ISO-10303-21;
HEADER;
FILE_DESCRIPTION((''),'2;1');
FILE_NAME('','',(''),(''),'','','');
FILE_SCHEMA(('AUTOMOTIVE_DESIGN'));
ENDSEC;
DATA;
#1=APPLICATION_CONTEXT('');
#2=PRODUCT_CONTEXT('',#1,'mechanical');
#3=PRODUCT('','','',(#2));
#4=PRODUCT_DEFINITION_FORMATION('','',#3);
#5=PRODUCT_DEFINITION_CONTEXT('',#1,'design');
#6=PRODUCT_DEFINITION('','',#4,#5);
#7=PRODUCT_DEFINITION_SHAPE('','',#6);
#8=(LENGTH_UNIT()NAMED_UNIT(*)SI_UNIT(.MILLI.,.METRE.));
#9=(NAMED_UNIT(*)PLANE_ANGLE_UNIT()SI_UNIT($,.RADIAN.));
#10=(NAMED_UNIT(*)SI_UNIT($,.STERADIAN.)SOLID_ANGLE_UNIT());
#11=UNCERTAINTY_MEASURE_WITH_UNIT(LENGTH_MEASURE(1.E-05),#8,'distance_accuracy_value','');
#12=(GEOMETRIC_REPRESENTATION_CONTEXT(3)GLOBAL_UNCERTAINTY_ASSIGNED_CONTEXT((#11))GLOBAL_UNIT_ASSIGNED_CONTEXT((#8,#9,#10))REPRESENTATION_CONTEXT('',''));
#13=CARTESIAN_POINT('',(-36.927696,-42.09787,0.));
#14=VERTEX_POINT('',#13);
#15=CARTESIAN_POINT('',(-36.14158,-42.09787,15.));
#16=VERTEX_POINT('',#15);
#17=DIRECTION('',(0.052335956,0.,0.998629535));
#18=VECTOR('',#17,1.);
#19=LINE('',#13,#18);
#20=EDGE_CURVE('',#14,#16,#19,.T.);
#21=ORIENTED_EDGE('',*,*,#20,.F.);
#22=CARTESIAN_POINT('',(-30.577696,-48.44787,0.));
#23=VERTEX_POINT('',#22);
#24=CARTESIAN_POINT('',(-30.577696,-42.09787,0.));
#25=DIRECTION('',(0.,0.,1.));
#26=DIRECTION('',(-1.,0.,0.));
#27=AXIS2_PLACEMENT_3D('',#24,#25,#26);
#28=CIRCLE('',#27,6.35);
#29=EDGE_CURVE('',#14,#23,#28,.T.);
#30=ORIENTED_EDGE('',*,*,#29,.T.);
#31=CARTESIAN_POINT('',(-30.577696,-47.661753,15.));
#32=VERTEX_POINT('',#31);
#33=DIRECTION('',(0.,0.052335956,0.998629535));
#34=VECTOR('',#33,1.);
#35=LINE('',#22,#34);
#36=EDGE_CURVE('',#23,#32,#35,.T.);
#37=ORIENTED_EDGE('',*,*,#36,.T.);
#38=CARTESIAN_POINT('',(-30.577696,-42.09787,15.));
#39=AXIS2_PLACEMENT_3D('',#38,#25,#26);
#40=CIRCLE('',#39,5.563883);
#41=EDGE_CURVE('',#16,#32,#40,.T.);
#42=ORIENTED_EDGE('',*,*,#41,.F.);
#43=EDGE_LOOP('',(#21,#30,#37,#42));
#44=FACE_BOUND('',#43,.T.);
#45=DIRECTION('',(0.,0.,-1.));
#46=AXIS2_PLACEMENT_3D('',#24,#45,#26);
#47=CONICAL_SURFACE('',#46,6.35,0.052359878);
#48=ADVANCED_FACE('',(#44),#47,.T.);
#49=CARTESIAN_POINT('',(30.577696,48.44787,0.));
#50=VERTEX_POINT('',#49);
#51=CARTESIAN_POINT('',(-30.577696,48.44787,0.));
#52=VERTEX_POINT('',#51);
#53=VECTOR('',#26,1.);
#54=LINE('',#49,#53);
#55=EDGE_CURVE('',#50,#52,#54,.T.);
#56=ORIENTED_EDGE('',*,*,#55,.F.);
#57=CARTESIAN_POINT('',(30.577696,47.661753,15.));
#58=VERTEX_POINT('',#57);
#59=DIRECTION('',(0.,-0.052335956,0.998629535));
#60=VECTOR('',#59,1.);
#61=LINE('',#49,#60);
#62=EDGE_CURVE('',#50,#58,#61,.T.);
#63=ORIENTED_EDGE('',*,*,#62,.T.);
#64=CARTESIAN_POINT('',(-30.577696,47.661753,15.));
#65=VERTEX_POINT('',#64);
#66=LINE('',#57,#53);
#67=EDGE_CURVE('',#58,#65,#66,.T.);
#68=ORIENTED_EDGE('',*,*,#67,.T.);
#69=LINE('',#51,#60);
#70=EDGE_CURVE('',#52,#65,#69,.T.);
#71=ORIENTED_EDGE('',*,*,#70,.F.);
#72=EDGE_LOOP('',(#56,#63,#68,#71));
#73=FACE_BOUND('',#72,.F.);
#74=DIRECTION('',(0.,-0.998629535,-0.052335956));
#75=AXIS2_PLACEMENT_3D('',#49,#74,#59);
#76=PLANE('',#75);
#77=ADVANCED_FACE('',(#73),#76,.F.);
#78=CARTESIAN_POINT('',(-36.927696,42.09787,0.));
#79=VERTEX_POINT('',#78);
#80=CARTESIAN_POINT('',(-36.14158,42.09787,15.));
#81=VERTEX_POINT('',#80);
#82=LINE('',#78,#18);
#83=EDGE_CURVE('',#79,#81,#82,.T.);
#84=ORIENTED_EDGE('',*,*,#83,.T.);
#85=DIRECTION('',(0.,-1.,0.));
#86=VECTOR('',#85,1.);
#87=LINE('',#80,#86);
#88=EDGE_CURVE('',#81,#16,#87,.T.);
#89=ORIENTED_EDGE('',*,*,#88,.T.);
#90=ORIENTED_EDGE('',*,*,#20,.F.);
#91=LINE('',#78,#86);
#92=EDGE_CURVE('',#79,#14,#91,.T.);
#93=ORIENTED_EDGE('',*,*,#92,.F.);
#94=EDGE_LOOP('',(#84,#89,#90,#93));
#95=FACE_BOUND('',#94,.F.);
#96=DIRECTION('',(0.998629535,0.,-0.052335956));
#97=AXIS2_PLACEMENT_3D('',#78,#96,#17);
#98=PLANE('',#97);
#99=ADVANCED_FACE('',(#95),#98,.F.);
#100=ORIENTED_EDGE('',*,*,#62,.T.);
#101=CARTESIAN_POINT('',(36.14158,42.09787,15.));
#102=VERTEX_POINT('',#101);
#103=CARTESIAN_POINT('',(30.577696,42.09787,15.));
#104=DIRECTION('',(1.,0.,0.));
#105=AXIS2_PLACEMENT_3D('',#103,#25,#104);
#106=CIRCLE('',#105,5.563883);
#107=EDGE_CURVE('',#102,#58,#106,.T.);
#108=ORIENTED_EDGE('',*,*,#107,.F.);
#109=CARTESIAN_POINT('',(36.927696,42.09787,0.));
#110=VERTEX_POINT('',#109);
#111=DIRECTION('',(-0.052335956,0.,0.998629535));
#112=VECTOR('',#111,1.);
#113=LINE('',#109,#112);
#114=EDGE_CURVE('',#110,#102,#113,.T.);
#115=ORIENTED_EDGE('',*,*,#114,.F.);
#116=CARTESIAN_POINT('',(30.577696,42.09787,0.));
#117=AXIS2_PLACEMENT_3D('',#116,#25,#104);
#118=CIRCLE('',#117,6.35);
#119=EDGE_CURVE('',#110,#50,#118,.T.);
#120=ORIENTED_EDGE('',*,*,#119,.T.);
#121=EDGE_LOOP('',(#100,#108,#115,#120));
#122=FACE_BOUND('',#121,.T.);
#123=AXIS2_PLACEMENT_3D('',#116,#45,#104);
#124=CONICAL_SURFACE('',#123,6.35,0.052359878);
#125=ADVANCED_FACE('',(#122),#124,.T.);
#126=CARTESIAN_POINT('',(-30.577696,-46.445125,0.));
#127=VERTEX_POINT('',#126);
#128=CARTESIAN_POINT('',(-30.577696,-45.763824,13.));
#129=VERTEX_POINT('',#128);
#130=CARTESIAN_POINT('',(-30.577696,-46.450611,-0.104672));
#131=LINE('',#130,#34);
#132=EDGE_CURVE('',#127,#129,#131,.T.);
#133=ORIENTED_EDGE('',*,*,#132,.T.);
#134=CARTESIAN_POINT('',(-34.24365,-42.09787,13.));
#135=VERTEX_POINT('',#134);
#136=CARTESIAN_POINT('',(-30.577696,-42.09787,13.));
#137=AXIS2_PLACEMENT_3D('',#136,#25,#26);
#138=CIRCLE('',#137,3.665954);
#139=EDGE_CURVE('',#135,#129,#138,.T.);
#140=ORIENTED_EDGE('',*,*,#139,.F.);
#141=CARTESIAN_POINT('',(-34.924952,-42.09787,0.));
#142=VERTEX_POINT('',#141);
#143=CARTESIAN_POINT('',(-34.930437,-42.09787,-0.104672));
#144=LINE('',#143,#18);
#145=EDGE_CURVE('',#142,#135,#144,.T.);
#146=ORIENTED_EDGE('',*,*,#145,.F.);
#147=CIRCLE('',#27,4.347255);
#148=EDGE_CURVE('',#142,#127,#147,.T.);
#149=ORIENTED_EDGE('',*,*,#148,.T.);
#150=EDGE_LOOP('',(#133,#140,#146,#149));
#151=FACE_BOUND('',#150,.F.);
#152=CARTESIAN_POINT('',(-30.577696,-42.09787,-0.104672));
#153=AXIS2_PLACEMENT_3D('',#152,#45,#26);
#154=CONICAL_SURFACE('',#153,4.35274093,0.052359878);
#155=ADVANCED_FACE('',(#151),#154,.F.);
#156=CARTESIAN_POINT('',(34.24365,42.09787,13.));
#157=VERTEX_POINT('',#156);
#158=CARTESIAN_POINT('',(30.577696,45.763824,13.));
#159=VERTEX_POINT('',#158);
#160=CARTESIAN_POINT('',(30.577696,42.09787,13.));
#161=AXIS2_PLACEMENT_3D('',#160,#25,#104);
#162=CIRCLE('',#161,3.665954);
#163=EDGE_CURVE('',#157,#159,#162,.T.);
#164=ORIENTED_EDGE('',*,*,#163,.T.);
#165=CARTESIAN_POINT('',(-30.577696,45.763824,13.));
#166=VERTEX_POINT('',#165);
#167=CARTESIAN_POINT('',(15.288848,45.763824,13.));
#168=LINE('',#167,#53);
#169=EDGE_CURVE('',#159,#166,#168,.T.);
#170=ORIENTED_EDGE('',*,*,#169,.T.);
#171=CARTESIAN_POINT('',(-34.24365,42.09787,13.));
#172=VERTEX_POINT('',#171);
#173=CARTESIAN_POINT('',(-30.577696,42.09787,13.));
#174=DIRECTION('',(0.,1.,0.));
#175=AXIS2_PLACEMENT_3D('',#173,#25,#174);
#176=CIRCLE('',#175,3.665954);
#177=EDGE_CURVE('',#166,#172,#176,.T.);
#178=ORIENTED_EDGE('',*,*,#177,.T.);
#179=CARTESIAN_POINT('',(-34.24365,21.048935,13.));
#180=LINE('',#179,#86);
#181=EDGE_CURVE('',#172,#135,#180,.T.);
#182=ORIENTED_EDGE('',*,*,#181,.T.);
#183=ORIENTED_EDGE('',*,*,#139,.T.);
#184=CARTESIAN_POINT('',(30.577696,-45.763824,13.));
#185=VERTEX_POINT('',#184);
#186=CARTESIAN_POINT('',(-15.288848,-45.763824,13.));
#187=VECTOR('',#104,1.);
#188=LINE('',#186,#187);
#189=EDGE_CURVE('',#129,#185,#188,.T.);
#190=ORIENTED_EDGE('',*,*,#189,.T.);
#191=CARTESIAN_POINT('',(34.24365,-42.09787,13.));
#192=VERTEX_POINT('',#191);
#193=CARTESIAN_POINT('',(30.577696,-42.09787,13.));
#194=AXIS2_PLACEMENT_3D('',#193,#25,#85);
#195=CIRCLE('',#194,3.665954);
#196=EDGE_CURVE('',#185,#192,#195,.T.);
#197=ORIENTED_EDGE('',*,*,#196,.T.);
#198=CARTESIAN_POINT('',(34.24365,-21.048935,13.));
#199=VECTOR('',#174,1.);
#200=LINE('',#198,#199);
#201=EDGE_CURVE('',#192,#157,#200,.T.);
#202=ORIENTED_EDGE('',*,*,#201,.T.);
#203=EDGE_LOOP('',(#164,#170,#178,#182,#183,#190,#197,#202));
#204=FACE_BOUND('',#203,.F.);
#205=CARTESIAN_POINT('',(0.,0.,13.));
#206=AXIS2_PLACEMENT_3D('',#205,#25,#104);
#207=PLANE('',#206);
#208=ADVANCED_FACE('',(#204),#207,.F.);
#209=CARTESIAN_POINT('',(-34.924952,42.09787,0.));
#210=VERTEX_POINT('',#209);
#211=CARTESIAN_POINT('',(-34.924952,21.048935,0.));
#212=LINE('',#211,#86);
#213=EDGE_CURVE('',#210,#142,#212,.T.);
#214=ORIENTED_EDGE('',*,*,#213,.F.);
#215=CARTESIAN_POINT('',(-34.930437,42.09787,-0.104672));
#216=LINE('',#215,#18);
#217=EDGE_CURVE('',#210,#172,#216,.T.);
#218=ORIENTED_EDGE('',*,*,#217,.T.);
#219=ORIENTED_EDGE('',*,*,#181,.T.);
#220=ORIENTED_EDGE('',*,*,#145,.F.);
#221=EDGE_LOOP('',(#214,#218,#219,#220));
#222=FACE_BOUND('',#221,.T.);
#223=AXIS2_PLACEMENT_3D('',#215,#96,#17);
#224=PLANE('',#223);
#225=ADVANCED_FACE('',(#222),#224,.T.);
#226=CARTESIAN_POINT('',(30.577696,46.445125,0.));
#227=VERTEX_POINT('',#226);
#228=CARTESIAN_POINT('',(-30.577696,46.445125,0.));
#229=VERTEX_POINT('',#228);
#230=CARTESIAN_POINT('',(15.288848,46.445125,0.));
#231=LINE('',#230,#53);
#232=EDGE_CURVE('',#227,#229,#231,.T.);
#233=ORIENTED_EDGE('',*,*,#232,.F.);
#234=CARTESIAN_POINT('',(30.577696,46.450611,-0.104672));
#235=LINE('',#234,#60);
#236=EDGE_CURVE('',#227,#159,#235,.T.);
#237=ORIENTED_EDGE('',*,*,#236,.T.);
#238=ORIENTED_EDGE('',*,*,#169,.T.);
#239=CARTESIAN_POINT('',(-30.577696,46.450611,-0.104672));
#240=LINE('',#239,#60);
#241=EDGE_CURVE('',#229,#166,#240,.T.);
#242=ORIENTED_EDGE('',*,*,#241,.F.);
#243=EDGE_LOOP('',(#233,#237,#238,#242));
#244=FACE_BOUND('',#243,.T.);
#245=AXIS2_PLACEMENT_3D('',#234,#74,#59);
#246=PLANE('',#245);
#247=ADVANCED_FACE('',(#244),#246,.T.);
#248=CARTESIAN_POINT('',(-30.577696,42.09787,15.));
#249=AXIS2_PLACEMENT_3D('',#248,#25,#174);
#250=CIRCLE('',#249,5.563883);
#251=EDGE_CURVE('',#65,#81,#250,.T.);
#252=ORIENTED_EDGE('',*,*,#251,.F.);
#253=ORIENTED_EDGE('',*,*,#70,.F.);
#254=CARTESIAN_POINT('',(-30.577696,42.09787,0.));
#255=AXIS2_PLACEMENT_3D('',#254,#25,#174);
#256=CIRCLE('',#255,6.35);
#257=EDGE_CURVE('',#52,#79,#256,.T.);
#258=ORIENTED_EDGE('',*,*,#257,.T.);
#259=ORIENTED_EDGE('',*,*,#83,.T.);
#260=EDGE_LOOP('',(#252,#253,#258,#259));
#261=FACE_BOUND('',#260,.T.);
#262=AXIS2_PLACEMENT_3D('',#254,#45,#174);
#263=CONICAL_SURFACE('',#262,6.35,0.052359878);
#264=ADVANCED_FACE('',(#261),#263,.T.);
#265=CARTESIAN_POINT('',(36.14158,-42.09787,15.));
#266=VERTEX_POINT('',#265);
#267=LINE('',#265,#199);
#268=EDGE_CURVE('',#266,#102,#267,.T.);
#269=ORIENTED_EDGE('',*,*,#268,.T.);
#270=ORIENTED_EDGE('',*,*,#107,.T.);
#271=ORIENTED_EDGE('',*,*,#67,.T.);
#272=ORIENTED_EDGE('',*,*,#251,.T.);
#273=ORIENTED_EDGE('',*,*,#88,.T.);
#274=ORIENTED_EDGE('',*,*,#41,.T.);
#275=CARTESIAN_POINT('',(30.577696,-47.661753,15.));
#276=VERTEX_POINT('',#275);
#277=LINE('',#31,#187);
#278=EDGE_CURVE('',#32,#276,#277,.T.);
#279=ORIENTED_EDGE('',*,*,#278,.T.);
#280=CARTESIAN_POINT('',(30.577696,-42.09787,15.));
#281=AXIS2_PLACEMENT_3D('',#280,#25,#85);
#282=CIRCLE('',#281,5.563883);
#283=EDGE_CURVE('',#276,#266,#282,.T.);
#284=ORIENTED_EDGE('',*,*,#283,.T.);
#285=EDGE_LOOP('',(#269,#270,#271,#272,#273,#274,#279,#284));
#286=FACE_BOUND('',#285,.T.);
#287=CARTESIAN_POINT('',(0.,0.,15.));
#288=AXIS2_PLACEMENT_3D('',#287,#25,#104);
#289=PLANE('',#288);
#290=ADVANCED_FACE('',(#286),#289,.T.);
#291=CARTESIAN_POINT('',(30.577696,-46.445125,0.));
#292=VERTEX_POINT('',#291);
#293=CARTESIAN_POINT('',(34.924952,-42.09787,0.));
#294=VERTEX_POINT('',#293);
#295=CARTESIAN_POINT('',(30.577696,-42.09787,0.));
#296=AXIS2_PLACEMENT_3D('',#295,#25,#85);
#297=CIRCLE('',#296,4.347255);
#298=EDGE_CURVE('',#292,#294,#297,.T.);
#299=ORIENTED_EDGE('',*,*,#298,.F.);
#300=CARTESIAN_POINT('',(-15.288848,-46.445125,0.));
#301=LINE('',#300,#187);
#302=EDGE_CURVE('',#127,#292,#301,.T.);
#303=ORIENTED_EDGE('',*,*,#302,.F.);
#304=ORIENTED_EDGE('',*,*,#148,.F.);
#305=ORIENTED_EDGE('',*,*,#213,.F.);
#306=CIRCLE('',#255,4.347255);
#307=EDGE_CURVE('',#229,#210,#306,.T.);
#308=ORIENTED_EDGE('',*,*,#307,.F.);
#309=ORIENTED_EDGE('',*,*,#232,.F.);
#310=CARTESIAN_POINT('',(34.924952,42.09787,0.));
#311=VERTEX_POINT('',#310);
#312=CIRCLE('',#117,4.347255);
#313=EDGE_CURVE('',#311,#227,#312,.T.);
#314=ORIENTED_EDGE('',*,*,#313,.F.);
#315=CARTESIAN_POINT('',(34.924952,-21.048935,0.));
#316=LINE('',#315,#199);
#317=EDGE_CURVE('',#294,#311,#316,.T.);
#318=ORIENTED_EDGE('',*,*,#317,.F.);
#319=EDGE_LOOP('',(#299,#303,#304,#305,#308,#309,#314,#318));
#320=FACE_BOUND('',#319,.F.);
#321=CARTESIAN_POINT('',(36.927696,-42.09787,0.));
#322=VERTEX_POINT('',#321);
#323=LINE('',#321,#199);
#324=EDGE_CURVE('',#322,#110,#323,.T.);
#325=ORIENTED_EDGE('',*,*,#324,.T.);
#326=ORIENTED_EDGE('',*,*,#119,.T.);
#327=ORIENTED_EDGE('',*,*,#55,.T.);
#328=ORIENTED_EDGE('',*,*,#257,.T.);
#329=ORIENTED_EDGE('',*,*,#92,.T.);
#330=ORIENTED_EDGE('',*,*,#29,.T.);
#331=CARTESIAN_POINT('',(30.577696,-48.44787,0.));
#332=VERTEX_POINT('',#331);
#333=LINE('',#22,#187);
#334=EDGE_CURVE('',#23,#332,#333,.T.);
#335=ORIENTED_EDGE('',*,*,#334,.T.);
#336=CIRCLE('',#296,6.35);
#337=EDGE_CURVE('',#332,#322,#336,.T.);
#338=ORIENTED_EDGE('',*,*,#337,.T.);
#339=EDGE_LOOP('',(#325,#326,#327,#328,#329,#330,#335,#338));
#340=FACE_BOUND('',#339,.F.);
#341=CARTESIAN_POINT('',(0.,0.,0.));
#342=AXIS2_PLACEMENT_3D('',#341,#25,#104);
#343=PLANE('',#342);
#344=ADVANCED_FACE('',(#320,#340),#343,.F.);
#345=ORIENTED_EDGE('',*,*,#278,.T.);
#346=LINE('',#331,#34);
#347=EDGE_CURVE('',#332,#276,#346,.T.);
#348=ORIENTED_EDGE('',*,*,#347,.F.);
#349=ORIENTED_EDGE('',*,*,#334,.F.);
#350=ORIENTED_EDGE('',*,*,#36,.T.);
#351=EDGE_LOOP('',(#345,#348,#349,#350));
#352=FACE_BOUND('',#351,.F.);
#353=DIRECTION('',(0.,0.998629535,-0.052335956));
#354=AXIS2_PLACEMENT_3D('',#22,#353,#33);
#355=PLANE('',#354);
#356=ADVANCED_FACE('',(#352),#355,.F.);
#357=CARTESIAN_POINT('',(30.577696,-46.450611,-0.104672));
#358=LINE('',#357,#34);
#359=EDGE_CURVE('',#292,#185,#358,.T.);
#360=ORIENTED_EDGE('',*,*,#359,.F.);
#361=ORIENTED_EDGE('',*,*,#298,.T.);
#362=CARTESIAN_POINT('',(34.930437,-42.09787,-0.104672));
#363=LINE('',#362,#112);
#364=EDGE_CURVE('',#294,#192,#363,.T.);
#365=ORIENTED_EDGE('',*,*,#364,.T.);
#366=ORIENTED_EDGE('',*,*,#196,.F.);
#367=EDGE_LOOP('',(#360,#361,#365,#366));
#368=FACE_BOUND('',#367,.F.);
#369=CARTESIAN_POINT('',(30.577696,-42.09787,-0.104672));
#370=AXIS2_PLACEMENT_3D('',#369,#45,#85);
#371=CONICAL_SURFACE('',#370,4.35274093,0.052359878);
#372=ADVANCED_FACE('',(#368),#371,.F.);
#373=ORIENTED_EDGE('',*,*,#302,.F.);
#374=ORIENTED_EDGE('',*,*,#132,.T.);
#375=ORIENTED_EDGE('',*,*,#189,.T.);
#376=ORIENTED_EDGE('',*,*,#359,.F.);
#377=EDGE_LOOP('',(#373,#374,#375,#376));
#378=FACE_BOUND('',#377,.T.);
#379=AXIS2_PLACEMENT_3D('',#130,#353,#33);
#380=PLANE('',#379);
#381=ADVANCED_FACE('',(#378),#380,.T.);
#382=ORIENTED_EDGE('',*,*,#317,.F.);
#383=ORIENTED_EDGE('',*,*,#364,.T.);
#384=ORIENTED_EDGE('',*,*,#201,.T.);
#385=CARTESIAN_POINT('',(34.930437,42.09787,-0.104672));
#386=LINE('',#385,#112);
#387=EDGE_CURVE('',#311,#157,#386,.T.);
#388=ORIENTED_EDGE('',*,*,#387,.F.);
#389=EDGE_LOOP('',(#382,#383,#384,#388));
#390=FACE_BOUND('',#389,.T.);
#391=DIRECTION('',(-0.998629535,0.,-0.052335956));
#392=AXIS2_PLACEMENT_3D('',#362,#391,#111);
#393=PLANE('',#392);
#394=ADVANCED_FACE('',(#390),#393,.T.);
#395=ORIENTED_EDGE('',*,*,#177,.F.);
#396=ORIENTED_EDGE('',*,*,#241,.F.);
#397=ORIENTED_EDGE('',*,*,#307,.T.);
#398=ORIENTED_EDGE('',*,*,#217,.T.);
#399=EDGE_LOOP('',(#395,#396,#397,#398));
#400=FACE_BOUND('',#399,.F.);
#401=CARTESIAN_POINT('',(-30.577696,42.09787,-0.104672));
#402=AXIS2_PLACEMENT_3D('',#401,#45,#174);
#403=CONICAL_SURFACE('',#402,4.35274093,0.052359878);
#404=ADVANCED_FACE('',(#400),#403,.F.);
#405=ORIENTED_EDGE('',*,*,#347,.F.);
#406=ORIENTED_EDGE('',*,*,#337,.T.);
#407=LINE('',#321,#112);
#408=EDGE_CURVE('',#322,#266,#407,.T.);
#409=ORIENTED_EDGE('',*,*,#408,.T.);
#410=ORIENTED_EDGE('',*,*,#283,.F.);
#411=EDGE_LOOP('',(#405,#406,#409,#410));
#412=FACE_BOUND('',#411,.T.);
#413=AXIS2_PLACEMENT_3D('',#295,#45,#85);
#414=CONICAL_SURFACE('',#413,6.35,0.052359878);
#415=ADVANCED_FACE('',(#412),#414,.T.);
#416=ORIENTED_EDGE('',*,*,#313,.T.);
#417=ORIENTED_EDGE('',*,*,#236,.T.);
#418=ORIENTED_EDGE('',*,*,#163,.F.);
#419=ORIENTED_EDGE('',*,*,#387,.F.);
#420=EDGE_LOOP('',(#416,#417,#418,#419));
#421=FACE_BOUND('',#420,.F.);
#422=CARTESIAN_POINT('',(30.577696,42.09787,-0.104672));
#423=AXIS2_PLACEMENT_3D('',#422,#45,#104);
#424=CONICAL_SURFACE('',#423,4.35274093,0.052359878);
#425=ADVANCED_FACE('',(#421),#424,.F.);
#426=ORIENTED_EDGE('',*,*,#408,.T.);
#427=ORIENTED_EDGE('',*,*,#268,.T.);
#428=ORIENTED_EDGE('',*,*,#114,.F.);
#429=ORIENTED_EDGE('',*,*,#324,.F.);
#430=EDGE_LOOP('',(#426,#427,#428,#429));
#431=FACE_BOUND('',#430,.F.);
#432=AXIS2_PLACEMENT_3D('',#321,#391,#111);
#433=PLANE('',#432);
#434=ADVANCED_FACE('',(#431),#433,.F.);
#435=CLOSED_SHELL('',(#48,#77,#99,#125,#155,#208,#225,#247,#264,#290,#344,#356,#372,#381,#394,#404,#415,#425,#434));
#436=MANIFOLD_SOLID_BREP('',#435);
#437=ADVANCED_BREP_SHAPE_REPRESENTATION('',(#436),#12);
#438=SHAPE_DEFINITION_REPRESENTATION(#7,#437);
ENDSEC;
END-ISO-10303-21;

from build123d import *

# Parameters (mm, degrees)
F1_DEPTH = 15
F1_TAPER = 3
F2_T     = -2


with BuildPart() as f1:
    # F0 (on Top) → F1 (new body)
    with BuildSketch(Plane.XY):
        with BuildLine():
            ThreePointArc((36.9276963174, 42.0978697181), (35.067824378, 46.5879977786), (30.5776963174, 48.4478697181))
            Line((30.5776963174, 48.4478697181), (-30.5776963174, 48.4478697181))
            ThreePointArc((-30.5776963174, 48.4478697181), (-35.067824378, 46.5879977786), (-36.9276963174, 42.0978697181))
            Line((-36.9276963174, 42.0978697181), (-36.9276963174, -42.0978697181))
            ThreePointArc((-36.9276963174, -42.0978697181), (-35.067824378, -46.5879977786), (-30.5776963174, -48.4478697181))
            Line((-30.5776963174, -48.4478697181), (30.5776963174, -48.4478697181))
            ThreePointArc((30.5776963174, -48.4478697181), (35.067824378, -46.5879977786), (36.9276963174, -42.0978697181))
            Line((36.9276963174, -42.0978697181), (36.9276963174, 42.0978697181))
        make_face()
    extrude(amount=F1_DEPTH, taper=F1_TAPER)

    # F2
    f2_openings = [f1.faces().sort_by_distance(p)[0] for p in [
        (0, 0, 0),
    ]]
    offset(amount=F2_T, openings=f2_openings)


solid = f1.part
